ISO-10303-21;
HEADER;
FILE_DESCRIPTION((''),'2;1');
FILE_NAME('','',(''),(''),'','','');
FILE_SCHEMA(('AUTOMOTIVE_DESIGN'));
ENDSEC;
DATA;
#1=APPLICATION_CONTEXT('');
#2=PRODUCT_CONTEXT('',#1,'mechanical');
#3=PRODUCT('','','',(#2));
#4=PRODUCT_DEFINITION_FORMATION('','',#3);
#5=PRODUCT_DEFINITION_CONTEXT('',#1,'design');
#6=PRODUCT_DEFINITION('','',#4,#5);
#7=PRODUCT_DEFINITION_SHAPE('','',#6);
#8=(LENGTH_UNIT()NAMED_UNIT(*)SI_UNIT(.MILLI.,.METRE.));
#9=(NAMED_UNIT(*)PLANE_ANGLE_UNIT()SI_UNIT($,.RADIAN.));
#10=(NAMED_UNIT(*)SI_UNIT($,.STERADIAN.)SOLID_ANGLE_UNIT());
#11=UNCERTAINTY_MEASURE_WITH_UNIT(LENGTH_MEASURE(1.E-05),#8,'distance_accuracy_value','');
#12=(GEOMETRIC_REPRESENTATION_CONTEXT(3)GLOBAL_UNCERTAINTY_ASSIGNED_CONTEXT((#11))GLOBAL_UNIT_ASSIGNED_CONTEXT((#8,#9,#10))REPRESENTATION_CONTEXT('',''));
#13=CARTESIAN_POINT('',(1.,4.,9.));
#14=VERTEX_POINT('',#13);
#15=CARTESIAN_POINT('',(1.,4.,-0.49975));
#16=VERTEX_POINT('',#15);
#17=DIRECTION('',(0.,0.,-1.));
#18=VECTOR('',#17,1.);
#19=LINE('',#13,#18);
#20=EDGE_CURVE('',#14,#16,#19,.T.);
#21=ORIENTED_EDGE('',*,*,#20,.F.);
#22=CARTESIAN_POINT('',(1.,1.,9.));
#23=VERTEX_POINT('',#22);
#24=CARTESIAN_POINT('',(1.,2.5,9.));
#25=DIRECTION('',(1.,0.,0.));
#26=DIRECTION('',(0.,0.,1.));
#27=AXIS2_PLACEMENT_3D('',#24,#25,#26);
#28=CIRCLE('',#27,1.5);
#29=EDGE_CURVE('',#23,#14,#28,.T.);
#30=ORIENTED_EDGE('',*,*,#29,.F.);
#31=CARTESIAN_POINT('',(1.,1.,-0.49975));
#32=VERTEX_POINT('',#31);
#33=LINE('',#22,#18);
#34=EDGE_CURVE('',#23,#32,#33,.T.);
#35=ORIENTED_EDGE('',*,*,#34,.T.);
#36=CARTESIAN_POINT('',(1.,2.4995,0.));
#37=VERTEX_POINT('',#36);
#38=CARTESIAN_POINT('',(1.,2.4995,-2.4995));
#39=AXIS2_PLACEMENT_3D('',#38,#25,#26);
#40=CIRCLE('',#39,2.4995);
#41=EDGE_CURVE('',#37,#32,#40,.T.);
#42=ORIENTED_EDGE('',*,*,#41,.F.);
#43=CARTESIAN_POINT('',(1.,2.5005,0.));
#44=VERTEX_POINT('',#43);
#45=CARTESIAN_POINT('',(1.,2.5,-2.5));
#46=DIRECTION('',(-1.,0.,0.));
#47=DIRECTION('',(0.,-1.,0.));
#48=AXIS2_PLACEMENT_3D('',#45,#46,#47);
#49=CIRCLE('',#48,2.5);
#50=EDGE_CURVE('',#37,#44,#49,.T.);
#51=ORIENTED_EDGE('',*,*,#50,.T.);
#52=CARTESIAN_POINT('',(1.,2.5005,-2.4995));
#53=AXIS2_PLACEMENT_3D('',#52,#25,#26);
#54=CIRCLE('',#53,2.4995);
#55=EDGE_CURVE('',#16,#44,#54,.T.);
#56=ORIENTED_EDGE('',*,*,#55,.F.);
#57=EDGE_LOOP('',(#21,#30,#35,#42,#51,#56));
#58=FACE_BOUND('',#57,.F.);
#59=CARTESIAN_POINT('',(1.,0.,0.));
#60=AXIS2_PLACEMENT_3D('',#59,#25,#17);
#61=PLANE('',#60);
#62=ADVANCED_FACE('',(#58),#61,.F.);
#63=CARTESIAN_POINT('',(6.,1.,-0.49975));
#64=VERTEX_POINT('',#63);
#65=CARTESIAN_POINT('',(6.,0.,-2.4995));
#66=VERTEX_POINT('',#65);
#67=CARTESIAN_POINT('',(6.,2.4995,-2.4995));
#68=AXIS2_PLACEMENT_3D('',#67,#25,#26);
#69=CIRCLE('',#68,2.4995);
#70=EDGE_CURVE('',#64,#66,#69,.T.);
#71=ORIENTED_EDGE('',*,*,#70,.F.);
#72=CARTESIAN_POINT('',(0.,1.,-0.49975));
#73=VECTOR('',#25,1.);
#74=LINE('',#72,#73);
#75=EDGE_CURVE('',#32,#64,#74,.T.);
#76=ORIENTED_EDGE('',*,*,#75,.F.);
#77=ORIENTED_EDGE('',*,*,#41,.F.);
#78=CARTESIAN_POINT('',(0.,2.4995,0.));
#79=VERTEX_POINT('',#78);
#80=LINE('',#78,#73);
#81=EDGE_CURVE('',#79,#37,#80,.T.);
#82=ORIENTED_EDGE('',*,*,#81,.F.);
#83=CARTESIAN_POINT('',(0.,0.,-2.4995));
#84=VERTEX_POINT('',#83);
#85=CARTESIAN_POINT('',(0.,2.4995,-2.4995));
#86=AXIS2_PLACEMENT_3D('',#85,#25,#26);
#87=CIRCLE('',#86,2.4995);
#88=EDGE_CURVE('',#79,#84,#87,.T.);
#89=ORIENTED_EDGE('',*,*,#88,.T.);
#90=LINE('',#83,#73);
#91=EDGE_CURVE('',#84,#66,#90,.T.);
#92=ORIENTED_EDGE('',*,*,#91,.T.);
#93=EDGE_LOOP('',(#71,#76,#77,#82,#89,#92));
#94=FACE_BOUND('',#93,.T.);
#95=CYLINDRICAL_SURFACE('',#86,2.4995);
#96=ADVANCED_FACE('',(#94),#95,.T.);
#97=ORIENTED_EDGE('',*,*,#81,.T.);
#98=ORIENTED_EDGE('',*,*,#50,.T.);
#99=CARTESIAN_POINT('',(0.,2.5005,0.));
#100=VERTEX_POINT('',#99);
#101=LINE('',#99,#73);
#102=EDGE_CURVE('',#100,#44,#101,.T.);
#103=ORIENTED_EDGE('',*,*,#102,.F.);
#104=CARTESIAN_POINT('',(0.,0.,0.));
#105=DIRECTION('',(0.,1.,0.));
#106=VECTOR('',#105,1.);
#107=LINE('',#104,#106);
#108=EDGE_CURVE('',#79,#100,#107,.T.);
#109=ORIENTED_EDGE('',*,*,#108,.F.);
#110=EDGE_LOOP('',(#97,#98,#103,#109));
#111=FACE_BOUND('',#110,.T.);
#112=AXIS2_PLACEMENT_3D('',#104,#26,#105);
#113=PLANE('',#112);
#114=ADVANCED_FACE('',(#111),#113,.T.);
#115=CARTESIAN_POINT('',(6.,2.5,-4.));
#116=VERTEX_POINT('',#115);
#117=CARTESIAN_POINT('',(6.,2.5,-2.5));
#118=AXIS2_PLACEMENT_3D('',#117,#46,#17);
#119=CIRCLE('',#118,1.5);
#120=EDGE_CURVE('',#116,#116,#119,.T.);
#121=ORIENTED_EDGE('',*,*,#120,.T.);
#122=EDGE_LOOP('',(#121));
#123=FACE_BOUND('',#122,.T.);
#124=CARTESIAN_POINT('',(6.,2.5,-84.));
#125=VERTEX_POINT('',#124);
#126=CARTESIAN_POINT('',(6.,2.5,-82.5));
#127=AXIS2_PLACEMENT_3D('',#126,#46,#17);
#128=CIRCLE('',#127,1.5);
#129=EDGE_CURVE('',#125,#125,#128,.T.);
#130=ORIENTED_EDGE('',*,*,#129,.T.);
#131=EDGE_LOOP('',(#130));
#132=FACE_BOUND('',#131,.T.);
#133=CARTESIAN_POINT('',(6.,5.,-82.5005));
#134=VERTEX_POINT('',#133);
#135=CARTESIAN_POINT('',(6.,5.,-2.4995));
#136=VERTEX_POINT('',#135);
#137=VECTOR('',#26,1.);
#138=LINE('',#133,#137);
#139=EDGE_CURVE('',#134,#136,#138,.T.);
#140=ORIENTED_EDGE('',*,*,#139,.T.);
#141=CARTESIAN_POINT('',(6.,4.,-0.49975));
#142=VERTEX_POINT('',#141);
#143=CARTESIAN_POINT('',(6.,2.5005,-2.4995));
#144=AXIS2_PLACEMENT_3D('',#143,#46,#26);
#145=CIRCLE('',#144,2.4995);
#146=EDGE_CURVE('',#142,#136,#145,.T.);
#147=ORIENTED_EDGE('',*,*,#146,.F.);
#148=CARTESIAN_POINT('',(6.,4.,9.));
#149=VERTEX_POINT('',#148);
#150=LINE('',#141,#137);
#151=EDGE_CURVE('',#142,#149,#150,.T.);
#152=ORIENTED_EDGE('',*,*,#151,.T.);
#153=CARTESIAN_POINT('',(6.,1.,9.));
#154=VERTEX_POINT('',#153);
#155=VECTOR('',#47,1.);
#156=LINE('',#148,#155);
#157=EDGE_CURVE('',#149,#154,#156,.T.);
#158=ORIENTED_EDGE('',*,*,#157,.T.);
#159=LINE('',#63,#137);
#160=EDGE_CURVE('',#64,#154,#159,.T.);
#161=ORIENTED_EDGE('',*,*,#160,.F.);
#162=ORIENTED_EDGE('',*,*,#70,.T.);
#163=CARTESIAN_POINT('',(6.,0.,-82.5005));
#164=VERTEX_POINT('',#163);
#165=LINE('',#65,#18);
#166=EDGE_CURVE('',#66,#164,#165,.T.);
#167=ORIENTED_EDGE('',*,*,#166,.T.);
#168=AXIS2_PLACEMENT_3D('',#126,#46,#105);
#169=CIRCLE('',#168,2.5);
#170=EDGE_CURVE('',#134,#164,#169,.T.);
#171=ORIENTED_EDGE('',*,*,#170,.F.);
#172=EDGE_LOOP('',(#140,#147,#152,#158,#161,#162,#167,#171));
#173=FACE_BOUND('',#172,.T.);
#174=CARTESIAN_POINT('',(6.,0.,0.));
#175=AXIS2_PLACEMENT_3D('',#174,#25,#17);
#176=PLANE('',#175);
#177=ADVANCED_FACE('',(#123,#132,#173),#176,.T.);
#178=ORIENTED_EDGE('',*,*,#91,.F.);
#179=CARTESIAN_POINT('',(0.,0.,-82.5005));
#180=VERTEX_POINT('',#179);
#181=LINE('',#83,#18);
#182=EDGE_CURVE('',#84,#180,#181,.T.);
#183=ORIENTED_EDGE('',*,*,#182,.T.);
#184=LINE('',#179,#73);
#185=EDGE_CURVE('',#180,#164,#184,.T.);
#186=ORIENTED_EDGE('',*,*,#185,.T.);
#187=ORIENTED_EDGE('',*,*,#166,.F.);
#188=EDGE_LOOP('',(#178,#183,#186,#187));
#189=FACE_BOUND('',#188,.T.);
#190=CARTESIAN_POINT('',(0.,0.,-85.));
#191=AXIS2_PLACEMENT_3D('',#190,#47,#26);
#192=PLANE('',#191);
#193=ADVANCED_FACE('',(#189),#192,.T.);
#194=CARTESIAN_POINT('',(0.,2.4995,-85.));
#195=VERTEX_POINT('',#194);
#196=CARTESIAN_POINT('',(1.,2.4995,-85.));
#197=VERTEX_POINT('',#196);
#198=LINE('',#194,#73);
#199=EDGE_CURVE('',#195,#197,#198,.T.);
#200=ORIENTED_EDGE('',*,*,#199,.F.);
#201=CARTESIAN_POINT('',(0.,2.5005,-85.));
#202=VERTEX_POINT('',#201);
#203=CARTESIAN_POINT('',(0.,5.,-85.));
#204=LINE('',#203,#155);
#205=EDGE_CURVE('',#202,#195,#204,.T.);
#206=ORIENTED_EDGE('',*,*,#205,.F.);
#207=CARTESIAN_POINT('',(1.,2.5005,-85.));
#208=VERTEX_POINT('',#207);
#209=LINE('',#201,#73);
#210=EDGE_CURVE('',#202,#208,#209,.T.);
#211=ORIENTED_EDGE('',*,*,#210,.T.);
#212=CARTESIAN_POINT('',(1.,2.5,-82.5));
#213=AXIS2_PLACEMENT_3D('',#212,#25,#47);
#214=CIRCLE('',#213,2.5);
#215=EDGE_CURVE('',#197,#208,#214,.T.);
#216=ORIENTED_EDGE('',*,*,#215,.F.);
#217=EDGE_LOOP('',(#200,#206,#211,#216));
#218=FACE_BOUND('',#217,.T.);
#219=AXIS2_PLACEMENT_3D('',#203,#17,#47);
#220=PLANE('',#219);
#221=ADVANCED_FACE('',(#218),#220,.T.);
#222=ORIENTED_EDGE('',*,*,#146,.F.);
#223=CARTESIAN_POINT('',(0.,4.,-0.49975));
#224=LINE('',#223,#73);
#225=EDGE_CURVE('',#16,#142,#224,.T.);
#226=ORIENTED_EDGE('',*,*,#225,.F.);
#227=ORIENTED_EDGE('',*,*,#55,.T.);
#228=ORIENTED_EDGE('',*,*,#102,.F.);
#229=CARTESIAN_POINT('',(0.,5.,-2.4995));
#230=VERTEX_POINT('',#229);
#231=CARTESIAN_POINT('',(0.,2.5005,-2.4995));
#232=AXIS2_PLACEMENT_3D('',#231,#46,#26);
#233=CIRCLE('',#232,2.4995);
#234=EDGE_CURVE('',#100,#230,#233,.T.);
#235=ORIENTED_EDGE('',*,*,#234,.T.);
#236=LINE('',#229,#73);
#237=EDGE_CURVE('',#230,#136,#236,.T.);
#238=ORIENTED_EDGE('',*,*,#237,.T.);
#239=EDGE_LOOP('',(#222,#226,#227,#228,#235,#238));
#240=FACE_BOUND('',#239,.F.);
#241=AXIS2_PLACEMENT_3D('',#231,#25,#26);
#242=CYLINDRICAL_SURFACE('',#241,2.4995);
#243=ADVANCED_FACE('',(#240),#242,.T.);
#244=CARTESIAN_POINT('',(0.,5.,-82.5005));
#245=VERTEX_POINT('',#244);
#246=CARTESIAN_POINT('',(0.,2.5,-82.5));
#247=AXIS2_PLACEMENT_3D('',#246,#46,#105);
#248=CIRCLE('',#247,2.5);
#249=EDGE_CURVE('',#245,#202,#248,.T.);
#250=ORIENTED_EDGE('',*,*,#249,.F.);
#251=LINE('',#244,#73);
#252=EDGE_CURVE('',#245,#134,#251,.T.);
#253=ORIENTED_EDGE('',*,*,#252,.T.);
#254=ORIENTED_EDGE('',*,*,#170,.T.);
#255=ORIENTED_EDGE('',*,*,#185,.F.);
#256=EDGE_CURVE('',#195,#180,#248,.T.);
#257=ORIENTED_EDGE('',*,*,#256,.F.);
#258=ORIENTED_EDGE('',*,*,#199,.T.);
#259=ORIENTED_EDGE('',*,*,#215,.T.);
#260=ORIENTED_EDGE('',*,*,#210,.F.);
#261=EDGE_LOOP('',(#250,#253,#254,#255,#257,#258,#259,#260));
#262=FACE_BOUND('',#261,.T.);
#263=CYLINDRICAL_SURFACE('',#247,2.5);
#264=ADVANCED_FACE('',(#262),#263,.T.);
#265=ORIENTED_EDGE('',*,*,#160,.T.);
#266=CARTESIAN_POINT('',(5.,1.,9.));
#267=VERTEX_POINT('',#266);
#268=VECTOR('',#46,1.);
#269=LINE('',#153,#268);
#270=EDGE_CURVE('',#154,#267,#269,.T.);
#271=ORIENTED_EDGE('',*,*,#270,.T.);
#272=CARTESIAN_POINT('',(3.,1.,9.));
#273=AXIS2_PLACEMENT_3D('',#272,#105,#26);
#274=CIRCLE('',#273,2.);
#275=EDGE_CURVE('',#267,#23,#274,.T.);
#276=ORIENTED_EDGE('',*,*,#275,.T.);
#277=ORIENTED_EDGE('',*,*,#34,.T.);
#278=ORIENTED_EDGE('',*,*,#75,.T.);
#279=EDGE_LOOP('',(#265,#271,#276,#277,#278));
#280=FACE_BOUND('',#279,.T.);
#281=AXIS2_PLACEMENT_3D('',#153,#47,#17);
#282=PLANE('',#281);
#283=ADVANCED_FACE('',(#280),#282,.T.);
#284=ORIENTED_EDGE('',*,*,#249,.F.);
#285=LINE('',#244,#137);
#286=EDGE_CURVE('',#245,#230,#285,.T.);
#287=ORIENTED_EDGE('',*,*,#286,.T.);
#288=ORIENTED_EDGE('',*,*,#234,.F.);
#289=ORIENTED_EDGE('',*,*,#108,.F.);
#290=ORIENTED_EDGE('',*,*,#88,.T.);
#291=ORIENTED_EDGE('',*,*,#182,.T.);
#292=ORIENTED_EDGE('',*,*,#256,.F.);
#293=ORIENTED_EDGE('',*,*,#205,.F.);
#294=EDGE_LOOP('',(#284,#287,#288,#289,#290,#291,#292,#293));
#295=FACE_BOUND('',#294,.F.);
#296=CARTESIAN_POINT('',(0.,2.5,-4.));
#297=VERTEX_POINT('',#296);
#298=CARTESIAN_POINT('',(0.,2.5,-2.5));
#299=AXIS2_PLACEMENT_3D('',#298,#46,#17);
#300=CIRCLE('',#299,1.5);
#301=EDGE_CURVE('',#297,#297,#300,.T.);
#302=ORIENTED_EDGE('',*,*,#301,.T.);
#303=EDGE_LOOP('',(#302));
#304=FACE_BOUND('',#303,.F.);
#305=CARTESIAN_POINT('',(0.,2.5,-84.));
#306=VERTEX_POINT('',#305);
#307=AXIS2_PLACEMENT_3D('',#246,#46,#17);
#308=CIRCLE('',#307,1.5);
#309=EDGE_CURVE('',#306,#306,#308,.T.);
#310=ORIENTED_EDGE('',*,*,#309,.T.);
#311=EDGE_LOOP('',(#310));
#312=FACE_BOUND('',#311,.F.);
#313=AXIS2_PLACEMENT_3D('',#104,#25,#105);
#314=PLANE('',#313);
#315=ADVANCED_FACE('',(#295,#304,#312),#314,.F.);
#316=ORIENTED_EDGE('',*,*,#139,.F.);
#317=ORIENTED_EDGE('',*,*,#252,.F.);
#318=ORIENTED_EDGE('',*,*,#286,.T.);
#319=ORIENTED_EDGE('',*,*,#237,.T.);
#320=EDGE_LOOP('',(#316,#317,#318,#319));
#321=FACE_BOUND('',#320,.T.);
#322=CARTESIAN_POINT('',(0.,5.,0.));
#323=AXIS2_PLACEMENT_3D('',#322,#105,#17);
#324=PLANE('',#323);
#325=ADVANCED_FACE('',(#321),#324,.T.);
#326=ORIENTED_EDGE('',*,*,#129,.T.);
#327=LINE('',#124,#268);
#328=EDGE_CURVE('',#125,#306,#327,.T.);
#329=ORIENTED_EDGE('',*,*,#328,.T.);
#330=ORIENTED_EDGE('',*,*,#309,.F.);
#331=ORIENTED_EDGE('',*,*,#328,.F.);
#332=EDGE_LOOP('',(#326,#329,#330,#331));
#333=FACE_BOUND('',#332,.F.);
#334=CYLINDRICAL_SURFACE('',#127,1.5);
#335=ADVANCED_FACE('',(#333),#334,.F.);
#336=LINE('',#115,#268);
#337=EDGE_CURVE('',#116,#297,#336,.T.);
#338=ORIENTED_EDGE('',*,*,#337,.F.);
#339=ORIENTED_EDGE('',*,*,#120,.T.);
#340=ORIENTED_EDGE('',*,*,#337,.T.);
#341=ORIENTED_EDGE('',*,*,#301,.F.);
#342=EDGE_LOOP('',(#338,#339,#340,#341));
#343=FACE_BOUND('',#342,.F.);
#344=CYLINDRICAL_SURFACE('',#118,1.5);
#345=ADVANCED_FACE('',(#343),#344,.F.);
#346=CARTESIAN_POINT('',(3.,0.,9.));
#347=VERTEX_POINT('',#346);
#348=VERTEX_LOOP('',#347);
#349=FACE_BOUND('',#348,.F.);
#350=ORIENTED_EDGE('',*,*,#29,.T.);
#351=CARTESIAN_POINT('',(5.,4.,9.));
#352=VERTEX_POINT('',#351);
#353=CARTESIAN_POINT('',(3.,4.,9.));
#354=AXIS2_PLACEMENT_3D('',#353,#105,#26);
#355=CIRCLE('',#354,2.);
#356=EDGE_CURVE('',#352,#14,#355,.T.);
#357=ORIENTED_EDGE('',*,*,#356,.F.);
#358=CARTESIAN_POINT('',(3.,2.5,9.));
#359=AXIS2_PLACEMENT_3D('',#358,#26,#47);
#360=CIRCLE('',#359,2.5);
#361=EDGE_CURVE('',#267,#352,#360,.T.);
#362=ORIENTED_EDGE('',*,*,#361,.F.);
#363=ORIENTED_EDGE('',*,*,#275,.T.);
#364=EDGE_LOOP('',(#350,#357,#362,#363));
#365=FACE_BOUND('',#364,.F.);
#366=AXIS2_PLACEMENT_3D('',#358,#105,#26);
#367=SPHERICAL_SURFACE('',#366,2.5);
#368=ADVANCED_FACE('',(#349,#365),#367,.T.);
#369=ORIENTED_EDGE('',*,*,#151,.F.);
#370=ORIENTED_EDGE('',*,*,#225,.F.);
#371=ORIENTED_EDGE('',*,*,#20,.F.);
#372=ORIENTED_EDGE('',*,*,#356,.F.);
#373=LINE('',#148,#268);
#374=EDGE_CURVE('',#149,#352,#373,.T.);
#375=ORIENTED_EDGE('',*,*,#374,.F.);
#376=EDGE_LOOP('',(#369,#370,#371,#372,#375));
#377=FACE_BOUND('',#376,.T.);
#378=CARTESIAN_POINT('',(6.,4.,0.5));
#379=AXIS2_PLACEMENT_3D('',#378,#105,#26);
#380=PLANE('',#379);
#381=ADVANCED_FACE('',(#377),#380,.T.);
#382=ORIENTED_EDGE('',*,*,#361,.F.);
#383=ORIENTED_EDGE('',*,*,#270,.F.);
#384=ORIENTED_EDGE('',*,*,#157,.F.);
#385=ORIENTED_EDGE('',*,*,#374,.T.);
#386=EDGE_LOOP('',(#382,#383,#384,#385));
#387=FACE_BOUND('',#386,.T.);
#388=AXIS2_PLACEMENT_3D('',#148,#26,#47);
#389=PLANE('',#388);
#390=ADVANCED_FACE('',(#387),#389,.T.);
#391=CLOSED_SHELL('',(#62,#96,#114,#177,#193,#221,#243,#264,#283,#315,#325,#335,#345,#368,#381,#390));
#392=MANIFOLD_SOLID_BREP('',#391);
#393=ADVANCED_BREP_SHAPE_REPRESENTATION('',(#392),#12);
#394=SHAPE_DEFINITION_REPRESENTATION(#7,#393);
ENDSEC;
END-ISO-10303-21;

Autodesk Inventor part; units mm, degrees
sketch "草圖1" plane through (0, 0, 0) normal (1, 0, 0) x (0, 1, 0)
  line L0 (0, 0) -> (5, 0)
  line L1 (5, 0) -> (5, -85)
  line L2 (5, -85) -> (0, -85)
  line L3 (0, -85) -> (0, 0)
  dimension "d0" = 5
  dimension "d1" = 85
extrude "擠出1" add sketch "草圖1" along normal blind 6
fillet "圓角1" radius 2.5 2 edges at (3, 5, 0) (3, 0, 0)
hole "孔1" at (6, 2.5, -2.5) direction (-1, 0, 0) diameter 3 end through all
fillet "圓角2" radius 2.5 2 edges at (3, 5, -85) (3, 0, -85)
hole "孔2" at (6, 2.5, -82.5) direction (-1, 0, 0) diameter 3 end through all
sketch "草圖2" plane through (6, 0, 0) normal (1, 0, 0) x (0, 0, -1)
  line L0 (0, -1) -> (0, 6) projected
  line L1 (0, -1) -> (0, 6) projected
  line L2 (120, 0) -> (-20, 0) projected
  circle A0 centre (82.5, 2.5) radius 1.5 projected
  circle A1 centre (2.5, 2.5) radius 1.5 projected
  arc A2 (82.5, 0) -> (82.5, 5) centre (82.5, 2.5) ccw projected
  line L3 (82.5, 5) -> (2.5, 5) projected
  arc A3 (2.5, 5) -> (2.5, 0) centre (2.5, 2.5) ccw projected
  line L4 (2.5, 0) -> (82.5, 0) projected
  circle A4 centre (98.5, 2.5) radius 1.5
  circle A5 centre (82.5, 2.5) radius 1.5 projected
  line L5 (84.5, 4) -> (98.5, 4)
  line L6 (98.5, 4) -> (98.5, 1)
  line L7 (98.5, 1) -> (84.5, 1)
  point P0 (0, 0)
  dimension "d24" = 3
  dimension "d25" = 16
extrude "擠出2" add sketch "草圖2" against normal blind 5 contours A2 L5 A4 L7 | L6 A4 | A4 L6
ref_plane "工作平面1" through (3, 0, 0) normal (1, 0, 0) x (0, 0, -1)
sketch "草圖3" plane through (3, 0, 0) normal (1, 0, 0) x (0, 0, -1)
  arc A0 (98.5, 1) -> (98.5, 4) centre (98.5, 2.5) ccw projected
  line L0 (98.5, 1) -> (102.8586, 1)
  line L1 (102.8586, 1) -> (102.8586, 5.3685)
  line L2 (102.8586, 5.3685) -> (98.5, 5.3685)
  line L3 (98.5, 5.3685) -> (98.5, 1)
  point P0 (0, 0)
extrude "擠出3" cut sketch "草圖3" along normal mid plane 6
sketch "草圖4" plane through (3, 0, 0) normal (1, 0, 0) x (0, 0, -1)
  line L0 (98.5, 4) -> (98.5, 1) projected
  arc A0 (98.5, 0) -> (98.5, 5) centre (98.5, 2.5) ccw
  line L1 (98.5, 5) -> (98.5, 0)
  point P0 (0, 0)
  dimension "d30" = 5
revolve "迴轉1" add sketch "草圖4" angle 360 about axis through (3, 5, -98.5) along (0, -1, 0)
ref_plane "工作平面3" through (-79.3581, 2.5, -42.5) normal (0, 0, 1) x (1, 0, 0)
ref_plane "工作平面2" through (-79.3581, 2.5, -2.5) normal (0, 0, 1) x (1, 0, 0)
mirror "鏡射1" about plane through (-79.3581, 2.5, -42.5) normal (0, 0, 1) of "迴轉1", "擠出2", "擠出3"
sketch "草圖5" plane through (0, 0, 0) normal (-1, 0, 0) x (0, 0, 1)
  circle A0 centre (-82.5, 2.5) radius 1.5 projected
  arc A1 (-82.5, 5) -> (-82.5, 0) centre (-82.5, 2.5) ccw projected
  line L0 (-82.5, 0) -> (-2.5, 0) projected
  arc A2 (-2.5, 0) -> (-2.5, 5) centre (-2.5, 2.5) ccw projected
  line L1 (-2.5, 5) -> (-82.5, 5) projected
  circle A3 centre (-2.5, 2.5) radius 1.5 projected
  line L2 (-82.5, 0) -> (-111.7443, 0)
  line L3 (-111.7443, 0) -> (-111.7443, 9.7981)
  line L4 (-111.7443, 9.7981) -> (-82.5, 9.7981)
  line L5 (-82.5, 9.7981) -> (-82.5, 5)
  point P0 (0, 0)
extrude "擠出4" cut sketch "草圖5" against normal blind 68 contours A1 L2 L3 L4 L5
sketch "草圖6" plane through (6, 0, 0) normal (1, 0, 0) x (0, 0, -1)
  line L0 (-100.5, 5.0204) -> (-0.5, 5.0204)
  line L1 (-0.5, 5.0204) -> (-0.5, -3.8226)
  line L2 (-0.5, -3.8226) -> (-100.5, -3.8226)
  line L3 (-100.5, -3.8226) -> (-100.5, 5.0204)
  circle A0 centre (2.5, 2.5) radius 1.5 projected
  point P0 (0, 0)
  dimension "d36" = 100
  dimension "d37" = 3
extrude "擠出5" cut sketch "草圖6" against normal blind 30.5 contours L0 L1 L2 L3
sketch "草圖7" plane through (6, 0, 0) normal (1, 0, 0) x (0, 0, -1)
  line L0 (-0.5, 4) -> (-0.5, 1) projected
  line L1 (-0.5, 4) -> (-9, 4)
  line L2 (-9, 4) -> (-9, 1)
  line L3 (-9, 1) -> (-0.5, 1)
  line L4 (-0.5, 1) -> (-0.5, 4)
  point P0 (0, 0)
  dimension "d40" = 8.5
extrude "擠出6" add sketch "草圖7" against normal up to surface (5 mm away)
ref_plane "工作平面5" through (3, 0, 0) normal (-1, 0, 0) x (0, 0, 1)
sketch "草圖8" plane through (3, 0, 0) normal (-1, 0, 0) x (0, 0, 1)
  line L0 (9, 4) -> (9, 1) projected
  arc A0 (9, 0) -> (9, 5) centre (9, 2.5) ccw
  line L1 (9, 5) -> (9, 0)
  point P0 (0, 0)
  dimension "d43" = 5
revolve "迴轉2" add sketch "草圖8" angle 360 about axis through (3, 5, 9) along (0, -1, 0)
ref_plane "工作平面4" through (3, 0, -85) normal (-1, 0, 0) x (0, 0, 1)
properties part number "支架3"
